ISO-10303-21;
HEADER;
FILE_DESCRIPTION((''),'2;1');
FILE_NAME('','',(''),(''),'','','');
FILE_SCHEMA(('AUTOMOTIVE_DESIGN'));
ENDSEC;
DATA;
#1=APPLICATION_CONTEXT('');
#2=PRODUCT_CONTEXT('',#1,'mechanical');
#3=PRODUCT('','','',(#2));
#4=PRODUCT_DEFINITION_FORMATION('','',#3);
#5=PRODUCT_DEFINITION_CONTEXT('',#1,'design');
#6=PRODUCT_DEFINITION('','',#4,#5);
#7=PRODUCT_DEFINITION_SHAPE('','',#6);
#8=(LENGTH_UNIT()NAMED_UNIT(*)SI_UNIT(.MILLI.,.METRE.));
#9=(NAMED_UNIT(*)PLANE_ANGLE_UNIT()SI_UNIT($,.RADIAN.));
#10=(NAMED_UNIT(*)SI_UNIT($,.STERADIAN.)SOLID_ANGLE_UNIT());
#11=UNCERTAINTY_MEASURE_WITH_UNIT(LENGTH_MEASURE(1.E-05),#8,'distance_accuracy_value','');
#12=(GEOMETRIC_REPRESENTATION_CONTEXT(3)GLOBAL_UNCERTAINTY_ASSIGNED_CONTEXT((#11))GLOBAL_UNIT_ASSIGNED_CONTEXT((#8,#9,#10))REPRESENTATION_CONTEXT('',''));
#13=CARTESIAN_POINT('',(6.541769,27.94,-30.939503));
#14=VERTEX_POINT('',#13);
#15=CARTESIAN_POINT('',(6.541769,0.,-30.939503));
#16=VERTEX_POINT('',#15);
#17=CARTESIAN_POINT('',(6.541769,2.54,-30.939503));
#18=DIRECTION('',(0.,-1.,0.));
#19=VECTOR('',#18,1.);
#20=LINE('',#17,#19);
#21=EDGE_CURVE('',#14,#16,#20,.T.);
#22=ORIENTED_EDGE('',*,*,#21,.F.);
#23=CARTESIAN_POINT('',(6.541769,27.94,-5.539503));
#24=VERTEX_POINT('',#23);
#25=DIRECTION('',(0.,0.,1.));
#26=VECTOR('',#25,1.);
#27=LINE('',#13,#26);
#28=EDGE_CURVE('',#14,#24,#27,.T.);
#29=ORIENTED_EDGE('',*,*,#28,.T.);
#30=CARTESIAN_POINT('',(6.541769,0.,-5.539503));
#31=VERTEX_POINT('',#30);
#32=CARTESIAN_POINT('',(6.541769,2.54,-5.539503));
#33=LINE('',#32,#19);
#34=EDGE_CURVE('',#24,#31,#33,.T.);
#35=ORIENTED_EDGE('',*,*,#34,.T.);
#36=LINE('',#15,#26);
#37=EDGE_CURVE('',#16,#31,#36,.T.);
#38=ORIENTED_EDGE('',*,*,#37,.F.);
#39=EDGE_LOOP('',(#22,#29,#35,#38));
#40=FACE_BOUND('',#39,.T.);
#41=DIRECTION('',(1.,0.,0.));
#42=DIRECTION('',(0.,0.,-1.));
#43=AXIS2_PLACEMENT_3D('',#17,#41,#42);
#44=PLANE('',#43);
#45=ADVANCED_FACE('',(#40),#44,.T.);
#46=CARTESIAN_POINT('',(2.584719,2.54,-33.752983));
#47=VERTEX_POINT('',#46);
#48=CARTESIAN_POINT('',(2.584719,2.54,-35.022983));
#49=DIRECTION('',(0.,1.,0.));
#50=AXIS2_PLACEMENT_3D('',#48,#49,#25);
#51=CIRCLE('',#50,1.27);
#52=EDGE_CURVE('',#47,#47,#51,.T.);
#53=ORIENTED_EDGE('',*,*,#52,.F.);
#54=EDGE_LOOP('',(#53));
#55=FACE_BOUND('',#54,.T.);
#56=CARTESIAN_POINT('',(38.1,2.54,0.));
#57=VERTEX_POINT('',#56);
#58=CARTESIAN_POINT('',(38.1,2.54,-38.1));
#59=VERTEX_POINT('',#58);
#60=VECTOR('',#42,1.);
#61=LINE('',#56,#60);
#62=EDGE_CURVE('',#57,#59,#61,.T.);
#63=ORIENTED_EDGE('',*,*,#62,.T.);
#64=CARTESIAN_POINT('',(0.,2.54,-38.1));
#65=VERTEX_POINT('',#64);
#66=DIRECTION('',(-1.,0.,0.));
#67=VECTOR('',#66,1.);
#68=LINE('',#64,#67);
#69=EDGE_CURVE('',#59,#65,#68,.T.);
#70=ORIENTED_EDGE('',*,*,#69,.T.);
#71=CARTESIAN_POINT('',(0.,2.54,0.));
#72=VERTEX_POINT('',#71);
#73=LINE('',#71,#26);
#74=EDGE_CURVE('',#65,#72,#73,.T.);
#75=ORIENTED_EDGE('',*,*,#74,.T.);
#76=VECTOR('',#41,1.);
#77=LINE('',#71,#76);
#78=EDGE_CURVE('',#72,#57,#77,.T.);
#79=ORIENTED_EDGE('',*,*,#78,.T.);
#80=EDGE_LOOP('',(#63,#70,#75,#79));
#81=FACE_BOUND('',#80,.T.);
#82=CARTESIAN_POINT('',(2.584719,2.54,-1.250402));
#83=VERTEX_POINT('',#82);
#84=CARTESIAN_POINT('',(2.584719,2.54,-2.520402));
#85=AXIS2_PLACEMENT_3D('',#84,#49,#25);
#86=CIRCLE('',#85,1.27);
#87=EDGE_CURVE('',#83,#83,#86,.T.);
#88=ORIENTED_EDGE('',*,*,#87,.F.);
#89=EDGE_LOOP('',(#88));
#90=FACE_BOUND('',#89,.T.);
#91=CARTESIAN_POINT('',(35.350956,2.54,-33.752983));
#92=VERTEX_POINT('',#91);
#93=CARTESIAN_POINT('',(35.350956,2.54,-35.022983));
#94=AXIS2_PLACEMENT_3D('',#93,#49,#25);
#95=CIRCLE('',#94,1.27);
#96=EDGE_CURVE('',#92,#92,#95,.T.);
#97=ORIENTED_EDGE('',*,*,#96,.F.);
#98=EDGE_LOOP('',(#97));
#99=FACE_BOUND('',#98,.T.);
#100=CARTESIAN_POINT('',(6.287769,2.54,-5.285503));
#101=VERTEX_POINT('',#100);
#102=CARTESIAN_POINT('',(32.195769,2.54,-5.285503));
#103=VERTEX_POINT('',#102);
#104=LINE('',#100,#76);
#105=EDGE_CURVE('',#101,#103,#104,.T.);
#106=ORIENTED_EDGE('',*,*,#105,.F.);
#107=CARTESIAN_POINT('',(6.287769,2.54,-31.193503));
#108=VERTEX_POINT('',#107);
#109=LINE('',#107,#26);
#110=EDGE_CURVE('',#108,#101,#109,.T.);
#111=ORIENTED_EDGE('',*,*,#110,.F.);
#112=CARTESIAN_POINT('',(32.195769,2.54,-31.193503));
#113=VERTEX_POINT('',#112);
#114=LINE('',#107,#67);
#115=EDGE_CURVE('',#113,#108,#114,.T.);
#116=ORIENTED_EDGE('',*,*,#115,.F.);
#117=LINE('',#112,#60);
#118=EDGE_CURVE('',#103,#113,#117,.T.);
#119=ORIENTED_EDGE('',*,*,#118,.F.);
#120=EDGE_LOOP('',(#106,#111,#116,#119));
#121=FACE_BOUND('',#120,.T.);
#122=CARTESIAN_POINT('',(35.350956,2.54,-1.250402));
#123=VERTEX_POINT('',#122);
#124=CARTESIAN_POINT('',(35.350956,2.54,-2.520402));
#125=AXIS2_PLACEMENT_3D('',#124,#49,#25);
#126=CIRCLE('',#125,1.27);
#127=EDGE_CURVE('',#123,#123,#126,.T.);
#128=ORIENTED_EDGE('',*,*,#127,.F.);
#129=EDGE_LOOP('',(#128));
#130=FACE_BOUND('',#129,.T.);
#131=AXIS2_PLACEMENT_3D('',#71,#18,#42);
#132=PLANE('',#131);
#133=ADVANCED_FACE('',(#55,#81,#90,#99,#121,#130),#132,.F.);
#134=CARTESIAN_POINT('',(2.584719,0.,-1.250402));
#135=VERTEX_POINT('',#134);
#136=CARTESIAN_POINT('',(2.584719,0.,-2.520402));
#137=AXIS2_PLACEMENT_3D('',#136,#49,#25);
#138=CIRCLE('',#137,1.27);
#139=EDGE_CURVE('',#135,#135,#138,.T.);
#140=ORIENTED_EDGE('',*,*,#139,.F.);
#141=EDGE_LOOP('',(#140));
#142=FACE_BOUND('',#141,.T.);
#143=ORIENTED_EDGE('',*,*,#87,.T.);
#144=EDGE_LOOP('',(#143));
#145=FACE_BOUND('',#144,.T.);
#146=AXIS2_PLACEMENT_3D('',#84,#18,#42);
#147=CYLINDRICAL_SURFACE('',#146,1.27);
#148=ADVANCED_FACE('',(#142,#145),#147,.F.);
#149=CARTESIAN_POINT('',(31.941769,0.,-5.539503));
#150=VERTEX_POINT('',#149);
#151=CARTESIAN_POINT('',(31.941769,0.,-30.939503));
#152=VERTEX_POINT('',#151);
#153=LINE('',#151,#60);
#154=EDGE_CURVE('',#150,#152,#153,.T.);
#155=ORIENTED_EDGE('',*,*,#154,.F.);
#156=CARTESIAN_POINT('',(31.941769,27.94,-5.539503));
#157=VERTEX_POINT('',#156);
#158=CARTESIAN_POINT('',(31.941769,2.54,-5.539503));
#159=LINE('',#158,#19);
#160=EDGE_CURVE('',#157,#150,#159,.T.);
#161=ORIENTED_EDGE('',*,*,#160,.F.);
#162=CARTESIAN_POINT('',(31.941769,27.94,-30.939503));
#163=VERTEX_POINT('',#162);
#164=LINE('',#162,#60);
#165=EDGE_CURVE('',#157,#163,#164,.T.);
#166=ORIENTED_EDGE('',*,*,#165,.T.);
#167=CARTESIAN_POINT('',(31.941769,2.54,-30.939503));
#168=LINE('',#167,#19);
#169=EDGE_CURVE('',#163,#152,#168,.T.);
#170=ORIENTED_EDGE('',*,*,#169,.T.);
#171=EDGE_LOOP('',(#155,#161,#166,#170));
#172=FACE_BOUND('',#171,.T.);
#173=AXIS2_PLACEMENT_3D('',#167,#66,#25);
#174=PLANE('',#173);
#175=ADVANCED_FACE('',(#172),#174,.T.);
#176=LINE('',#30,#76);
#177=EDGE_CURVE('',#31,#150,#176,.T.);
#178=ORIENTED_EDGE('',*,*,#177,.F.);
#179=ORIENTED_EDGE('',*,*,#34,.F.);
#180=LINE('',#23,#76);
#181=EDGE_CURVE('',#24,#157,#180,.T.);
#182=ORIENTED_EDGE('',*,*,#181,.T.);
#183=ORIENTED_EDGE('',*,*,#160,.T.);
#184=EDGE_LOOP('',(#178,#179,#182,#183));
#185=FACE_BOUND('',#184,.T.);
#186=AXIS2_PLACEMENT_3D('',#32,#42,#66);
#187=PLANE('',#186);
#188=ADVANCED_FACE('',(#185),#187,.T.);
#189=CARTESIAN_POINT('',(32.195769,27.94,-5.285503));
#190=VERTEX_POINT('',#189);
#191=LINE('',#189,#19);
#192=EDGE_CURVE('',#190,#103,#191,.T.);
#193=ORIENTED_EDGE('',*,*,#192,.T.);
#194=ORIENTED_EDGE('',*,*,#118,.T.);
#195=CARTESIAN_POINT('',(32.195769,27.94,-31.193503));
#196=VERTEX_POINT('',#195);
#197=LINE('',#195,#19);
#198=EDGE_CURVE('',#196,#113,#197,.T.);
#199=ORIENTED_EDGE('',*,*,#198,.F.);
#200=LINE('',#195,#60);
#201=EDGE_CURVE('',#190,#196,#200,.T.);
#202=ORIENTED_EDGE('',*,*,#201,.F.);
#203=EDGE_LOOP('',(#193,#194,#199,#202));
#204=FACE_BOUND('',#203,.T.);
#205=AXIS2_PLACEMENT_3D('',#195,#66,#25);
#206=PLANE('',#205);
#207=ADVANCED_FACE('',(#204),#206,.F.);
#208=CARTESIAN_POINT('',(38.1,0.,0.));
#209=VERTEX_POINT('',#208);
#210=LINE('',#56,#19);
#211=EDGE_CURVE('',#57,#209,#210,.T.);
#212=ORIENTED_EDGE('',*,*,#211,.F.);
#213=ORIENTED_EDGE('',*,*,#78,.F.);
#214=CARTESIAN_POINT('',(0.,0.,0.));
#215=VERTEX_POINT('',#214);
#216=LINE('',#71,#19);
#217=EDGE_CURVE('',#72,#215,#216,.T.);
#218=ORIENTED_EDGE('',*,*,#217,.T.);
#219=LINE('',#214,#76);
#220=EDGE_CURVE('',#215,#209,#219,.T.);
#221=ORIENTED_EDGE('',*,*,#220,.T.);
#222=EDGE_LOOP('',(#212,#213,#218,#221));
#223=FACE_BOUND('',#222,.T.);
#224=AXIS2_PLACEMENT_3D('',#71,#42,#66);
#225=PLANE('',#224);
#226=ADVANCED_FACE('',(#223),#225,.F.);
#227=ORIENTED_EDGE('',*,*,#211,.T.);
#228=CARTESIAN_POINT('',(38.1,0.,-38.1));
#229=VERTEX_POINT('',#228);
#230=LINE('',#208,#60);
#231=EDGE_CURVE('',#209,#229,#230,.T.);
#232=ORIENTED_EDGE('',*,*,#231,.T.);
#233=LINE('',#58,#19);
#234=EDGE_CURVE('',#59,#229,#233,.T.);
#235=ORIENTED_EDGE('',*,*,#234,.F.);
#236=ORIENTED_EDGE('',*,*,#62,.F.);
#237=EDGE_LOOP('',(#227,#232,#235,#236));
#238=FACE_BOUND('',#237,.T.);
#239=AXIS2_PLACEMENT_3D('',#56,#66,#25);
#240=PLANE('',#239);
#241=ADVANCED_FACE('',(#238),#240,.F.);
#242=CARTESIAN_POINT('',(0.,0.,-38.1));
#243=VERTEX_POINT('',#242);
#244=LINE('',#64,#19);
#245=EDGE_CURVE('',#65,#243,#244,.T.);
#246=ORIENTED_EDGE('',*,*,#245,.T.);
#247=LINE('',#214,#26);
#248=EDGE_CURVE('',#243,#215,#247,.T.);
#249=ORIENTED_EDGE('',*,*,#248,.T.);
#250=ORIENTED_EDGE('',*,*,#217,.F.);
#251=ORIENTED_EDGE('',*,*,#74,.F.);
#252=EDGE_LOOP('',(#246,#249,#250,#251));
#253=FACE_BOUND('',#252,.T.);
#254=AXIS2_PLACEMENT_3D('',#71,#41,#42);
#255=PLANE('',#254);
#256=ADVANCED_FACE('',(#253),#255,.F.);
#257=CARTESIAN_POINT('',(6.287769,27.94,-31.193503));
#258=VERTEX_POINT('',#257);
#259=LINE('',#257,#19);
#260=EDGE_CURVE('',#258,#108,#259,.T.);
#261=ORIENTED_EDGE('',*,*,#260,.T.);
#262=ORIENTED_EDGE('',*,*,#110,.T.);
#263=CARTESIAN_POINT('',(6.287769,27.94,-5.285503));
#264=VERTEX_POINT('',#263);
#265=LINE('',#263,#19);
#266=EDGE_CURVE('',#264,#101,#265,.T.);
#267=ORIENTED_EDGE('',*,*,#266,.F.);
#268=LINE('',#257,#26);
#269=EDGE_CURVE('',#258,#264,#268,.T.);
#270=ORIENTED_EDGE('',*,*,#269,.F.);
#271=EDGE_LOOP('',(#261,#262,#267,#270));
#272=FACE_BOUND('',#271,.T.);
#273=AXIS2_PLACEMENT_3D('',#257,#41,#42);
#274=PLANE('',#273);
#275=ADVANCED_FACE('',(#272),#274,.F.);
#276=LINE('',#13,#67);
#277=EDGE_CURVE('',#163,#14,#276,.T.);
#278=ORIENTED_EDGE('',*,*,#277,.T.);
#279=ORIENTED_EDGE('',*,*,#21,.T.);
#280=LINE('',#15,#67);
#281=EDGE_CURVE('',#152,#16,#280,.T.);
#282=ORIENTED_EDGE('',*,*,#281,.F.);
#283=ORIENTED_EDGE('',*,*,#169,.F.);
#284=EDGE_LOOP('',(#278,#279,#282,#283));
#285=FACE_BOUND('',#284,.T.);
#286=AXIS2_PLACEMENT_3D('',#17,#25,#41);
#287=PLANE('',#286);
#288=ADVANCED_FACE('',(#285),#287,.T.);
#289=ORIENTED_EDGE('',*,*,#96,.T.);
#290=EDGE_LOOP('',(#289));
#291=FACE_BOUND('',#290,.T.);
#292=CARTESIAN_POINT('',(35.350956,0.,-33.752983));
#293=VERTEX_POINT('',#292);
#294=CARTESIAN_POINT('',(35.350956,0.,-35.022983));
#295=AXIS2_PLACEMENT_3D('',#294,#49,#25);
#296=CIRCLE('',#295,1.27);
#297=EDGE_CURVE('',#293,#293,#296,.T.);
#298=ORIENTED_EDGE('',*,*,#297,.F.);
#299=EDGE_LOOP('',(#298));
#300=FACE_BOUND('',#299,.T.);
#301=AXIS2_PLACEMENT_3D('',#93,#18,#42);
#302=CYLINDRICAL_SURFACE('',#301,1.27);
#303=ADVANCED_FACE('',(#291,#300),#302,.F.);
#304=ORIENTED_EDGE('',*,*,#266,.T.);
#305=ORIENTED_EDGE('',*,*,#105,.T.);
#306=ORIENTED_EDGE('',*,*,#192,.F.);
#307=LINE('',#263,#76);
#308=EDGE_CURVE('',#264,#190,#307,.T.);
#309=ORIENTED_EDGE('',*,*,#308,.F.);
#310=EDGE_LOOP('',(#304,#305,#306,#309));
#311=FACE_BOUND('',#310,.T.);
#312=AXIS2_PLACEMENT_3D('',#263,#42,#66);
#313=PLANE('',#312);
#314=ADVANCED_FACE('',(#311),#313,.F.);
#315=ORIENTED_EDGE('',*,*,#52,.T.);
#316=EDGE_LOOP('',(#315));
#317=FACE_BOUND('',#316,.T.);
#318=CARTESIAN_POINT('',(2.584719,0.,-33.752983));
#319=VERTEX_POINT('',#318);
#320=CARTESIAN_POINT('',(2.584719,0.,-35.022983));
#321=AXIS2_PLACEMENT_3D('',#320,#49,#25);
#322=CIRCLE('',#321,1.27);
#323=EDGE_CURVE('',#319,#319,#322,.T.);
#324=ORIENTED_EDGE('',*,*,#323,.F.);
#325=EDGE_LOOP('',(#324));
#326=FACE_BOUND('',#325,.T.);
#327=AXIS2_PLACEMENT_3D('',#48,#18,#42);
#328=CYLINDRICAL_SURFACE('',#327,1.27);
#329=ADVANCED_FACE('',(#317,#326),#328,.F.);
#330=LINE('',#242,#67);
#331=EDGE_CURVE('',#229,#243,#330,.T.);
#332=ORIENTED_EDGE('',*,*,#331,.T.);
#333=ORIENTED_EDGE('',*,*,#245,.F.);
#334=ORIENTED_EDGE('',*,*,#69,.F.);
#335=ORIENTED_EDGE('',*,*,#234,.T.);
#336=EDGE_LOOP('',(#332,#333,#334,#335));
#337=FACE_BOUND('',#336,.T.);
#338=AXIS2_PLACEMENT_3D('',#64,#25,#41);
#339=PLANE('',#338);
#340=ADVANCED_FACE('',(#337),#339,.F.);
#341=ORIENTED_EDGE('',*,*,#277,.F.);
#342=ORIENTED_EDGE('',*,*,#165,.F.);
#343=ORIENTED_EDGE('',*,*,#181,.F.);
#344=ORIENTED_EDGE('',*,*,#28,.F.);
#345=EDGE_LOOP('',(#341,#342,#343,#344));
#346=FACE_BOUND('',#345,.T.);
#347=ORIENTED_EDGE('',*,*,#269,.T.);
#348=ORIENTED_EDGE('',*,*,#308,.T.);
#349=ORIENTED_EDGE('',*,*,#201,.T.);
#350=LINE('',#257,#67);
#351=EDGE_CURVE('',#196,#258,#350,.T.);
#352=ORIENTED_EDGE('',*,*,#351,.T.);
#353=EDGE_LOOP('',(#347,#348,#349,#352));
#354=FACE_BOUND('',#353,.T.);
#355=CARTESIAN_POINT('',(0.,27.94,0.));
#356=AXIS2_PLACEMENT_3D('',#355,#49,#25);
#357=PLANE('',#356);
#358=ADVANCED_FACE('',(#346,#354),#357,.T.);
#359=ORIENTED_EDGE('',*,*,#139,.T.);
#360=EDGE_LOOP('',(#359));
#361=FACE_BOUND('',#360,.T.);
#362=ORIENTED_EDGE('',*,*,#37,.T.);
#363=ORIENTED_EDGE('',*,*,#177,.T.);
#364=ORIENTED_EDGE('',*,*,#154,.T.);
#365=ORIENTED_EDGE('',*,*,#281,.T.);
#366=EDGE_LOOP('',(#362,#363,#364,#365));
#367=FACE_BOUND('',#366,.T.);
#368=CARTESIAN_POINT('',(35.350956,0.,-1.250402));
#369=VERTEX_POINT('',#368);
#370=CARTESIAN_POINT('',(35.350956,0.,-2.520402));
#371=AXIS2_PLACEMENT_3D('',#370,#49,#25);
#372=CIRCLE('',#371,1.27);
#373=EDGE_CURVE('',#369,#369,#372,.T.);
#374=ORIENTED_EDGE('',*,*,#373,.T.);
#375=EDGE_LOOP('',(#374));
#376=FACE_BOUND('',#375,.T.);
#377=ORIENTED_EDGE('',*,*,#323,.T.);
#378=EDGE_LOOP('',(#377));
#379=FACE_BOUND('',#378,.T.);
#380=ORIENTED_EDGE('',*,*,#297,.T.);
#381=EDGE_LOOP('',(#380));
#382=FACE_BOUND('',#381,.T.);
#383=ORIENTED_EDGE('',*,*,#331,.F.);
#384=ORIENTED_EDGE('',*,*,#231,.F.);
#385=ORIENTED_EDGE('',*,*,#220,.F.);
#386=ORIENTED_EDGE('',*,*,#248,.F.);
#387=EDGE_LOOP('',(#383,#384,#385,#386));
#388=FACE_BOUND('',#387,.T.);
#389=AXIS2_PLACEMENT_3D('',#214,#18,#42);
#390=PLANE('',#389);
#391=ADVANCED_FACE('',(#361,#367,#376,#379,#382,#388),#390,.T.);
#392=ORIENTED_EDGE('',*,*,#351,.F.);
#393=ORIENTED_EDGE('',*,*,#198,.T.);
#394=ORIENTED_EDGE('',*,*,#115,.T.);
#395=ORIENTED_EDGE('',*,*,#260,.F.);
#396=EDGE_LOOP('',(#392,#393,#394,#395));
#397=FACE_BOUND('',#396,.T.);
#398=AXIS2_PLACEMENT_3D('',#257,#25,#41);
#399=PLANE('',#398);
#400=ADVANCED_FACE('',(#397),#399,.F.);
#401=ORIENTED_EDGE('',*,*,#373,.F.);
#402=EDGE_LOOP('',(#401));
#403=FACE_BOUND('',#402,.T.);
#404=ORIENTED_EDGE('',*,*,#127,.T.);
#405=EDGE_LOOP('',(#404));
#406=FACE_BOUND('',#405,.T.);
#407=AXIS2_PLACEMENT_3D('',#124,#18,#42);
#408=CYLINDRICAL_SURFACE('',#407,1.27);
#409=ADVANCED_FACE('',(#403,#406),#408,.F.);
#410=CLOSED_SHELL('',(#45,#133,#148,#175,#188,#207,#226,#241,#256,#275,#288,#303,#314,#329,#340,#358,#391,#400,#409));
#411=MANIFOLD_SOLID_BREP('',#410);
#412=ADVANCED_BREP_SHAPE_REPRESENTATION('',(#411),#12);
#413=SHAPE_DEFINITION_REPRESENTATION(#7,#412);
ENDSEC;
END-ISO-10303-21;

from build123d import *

# Parameters (mm, degrees)
SKETCH1_W           = 38.1
SKETCH1_H           = 38.1
SKETCH1_R           = 1.27
SKETCH1_W_2         = 25.4
SKETCH1_H_2         = 25.4
BOSS_EXTRUDE2_DEPTH = 2.54
SKETCH3_W           = 25.908
SKETCH3_H           = 25.908
SKETCH3_W_2         = 25.4
SKETCH3_H_2         = 25.4
BOSS_EXTRUDE4_DEPTH = 25.4


with BuildPart() as part:
    # Sketch1 → Boss-Extrude2 (new body)
    with BuildSketch(Plane(origin=(0, 0, 0), x_dir=(1, 0, 0), z_dir=(0, 1, 0))):
        with Locations((19.05, 19.05)):
            Rectangle(SKETCH1_W, SKETCH1_H)
        with Locations(Location((2.584718537, 35.02298259, 0), (0, 0, 270))):
            Circle(SKETCH1_R, mode=Mode.SUBTRACT)
        with Locations(Location((35.350956252, 35.02298259, 0), (0, 0, 270))):
            Circle(SKETCH1_R, mode=Mode.SUBTRACT)
        with Locations(Location((2.584718537, 2.5204018, 0), (0, 0, 270))):
            Circle(SKETCH1_R, mode=Mode.SUBTRACT)
        with Locations(Location((35.350956252, 2.5204018, 0), (0, 0, 270))):
            Circle(SKETCH1_R, mode=Mode.SUBTRACT)
        with Locations((19.241768868, 18.2395028)):
            Rectangle(SKETCH1_W_2, SKETCH1_H_2, mode=Mode.SUBTRACT)
    extrude(amount=BOSS_EXTRUDE2_DEPTH)

    # Sketch3 → Boss-Extrude4 (add)
    with BuildSketch(Plane(origin=(0, 2.54, 0), x_dir=(1, 0, 0), z_dir=(0, 1, 0))):
        with Locations((19.241768868, 18.2395028)):
            Rectangle(SKETCH3_W, SKETCH3_H)
        with Locations((19.241768868, 18.2395028)):
            Rectangle(SKETCH3_W_2, SKETCH3_H_2, mode=Mode.SUBTRACT)
    extrude(amount=BOSS_EXTRUDE4_DEPTH)


solid = part.part
